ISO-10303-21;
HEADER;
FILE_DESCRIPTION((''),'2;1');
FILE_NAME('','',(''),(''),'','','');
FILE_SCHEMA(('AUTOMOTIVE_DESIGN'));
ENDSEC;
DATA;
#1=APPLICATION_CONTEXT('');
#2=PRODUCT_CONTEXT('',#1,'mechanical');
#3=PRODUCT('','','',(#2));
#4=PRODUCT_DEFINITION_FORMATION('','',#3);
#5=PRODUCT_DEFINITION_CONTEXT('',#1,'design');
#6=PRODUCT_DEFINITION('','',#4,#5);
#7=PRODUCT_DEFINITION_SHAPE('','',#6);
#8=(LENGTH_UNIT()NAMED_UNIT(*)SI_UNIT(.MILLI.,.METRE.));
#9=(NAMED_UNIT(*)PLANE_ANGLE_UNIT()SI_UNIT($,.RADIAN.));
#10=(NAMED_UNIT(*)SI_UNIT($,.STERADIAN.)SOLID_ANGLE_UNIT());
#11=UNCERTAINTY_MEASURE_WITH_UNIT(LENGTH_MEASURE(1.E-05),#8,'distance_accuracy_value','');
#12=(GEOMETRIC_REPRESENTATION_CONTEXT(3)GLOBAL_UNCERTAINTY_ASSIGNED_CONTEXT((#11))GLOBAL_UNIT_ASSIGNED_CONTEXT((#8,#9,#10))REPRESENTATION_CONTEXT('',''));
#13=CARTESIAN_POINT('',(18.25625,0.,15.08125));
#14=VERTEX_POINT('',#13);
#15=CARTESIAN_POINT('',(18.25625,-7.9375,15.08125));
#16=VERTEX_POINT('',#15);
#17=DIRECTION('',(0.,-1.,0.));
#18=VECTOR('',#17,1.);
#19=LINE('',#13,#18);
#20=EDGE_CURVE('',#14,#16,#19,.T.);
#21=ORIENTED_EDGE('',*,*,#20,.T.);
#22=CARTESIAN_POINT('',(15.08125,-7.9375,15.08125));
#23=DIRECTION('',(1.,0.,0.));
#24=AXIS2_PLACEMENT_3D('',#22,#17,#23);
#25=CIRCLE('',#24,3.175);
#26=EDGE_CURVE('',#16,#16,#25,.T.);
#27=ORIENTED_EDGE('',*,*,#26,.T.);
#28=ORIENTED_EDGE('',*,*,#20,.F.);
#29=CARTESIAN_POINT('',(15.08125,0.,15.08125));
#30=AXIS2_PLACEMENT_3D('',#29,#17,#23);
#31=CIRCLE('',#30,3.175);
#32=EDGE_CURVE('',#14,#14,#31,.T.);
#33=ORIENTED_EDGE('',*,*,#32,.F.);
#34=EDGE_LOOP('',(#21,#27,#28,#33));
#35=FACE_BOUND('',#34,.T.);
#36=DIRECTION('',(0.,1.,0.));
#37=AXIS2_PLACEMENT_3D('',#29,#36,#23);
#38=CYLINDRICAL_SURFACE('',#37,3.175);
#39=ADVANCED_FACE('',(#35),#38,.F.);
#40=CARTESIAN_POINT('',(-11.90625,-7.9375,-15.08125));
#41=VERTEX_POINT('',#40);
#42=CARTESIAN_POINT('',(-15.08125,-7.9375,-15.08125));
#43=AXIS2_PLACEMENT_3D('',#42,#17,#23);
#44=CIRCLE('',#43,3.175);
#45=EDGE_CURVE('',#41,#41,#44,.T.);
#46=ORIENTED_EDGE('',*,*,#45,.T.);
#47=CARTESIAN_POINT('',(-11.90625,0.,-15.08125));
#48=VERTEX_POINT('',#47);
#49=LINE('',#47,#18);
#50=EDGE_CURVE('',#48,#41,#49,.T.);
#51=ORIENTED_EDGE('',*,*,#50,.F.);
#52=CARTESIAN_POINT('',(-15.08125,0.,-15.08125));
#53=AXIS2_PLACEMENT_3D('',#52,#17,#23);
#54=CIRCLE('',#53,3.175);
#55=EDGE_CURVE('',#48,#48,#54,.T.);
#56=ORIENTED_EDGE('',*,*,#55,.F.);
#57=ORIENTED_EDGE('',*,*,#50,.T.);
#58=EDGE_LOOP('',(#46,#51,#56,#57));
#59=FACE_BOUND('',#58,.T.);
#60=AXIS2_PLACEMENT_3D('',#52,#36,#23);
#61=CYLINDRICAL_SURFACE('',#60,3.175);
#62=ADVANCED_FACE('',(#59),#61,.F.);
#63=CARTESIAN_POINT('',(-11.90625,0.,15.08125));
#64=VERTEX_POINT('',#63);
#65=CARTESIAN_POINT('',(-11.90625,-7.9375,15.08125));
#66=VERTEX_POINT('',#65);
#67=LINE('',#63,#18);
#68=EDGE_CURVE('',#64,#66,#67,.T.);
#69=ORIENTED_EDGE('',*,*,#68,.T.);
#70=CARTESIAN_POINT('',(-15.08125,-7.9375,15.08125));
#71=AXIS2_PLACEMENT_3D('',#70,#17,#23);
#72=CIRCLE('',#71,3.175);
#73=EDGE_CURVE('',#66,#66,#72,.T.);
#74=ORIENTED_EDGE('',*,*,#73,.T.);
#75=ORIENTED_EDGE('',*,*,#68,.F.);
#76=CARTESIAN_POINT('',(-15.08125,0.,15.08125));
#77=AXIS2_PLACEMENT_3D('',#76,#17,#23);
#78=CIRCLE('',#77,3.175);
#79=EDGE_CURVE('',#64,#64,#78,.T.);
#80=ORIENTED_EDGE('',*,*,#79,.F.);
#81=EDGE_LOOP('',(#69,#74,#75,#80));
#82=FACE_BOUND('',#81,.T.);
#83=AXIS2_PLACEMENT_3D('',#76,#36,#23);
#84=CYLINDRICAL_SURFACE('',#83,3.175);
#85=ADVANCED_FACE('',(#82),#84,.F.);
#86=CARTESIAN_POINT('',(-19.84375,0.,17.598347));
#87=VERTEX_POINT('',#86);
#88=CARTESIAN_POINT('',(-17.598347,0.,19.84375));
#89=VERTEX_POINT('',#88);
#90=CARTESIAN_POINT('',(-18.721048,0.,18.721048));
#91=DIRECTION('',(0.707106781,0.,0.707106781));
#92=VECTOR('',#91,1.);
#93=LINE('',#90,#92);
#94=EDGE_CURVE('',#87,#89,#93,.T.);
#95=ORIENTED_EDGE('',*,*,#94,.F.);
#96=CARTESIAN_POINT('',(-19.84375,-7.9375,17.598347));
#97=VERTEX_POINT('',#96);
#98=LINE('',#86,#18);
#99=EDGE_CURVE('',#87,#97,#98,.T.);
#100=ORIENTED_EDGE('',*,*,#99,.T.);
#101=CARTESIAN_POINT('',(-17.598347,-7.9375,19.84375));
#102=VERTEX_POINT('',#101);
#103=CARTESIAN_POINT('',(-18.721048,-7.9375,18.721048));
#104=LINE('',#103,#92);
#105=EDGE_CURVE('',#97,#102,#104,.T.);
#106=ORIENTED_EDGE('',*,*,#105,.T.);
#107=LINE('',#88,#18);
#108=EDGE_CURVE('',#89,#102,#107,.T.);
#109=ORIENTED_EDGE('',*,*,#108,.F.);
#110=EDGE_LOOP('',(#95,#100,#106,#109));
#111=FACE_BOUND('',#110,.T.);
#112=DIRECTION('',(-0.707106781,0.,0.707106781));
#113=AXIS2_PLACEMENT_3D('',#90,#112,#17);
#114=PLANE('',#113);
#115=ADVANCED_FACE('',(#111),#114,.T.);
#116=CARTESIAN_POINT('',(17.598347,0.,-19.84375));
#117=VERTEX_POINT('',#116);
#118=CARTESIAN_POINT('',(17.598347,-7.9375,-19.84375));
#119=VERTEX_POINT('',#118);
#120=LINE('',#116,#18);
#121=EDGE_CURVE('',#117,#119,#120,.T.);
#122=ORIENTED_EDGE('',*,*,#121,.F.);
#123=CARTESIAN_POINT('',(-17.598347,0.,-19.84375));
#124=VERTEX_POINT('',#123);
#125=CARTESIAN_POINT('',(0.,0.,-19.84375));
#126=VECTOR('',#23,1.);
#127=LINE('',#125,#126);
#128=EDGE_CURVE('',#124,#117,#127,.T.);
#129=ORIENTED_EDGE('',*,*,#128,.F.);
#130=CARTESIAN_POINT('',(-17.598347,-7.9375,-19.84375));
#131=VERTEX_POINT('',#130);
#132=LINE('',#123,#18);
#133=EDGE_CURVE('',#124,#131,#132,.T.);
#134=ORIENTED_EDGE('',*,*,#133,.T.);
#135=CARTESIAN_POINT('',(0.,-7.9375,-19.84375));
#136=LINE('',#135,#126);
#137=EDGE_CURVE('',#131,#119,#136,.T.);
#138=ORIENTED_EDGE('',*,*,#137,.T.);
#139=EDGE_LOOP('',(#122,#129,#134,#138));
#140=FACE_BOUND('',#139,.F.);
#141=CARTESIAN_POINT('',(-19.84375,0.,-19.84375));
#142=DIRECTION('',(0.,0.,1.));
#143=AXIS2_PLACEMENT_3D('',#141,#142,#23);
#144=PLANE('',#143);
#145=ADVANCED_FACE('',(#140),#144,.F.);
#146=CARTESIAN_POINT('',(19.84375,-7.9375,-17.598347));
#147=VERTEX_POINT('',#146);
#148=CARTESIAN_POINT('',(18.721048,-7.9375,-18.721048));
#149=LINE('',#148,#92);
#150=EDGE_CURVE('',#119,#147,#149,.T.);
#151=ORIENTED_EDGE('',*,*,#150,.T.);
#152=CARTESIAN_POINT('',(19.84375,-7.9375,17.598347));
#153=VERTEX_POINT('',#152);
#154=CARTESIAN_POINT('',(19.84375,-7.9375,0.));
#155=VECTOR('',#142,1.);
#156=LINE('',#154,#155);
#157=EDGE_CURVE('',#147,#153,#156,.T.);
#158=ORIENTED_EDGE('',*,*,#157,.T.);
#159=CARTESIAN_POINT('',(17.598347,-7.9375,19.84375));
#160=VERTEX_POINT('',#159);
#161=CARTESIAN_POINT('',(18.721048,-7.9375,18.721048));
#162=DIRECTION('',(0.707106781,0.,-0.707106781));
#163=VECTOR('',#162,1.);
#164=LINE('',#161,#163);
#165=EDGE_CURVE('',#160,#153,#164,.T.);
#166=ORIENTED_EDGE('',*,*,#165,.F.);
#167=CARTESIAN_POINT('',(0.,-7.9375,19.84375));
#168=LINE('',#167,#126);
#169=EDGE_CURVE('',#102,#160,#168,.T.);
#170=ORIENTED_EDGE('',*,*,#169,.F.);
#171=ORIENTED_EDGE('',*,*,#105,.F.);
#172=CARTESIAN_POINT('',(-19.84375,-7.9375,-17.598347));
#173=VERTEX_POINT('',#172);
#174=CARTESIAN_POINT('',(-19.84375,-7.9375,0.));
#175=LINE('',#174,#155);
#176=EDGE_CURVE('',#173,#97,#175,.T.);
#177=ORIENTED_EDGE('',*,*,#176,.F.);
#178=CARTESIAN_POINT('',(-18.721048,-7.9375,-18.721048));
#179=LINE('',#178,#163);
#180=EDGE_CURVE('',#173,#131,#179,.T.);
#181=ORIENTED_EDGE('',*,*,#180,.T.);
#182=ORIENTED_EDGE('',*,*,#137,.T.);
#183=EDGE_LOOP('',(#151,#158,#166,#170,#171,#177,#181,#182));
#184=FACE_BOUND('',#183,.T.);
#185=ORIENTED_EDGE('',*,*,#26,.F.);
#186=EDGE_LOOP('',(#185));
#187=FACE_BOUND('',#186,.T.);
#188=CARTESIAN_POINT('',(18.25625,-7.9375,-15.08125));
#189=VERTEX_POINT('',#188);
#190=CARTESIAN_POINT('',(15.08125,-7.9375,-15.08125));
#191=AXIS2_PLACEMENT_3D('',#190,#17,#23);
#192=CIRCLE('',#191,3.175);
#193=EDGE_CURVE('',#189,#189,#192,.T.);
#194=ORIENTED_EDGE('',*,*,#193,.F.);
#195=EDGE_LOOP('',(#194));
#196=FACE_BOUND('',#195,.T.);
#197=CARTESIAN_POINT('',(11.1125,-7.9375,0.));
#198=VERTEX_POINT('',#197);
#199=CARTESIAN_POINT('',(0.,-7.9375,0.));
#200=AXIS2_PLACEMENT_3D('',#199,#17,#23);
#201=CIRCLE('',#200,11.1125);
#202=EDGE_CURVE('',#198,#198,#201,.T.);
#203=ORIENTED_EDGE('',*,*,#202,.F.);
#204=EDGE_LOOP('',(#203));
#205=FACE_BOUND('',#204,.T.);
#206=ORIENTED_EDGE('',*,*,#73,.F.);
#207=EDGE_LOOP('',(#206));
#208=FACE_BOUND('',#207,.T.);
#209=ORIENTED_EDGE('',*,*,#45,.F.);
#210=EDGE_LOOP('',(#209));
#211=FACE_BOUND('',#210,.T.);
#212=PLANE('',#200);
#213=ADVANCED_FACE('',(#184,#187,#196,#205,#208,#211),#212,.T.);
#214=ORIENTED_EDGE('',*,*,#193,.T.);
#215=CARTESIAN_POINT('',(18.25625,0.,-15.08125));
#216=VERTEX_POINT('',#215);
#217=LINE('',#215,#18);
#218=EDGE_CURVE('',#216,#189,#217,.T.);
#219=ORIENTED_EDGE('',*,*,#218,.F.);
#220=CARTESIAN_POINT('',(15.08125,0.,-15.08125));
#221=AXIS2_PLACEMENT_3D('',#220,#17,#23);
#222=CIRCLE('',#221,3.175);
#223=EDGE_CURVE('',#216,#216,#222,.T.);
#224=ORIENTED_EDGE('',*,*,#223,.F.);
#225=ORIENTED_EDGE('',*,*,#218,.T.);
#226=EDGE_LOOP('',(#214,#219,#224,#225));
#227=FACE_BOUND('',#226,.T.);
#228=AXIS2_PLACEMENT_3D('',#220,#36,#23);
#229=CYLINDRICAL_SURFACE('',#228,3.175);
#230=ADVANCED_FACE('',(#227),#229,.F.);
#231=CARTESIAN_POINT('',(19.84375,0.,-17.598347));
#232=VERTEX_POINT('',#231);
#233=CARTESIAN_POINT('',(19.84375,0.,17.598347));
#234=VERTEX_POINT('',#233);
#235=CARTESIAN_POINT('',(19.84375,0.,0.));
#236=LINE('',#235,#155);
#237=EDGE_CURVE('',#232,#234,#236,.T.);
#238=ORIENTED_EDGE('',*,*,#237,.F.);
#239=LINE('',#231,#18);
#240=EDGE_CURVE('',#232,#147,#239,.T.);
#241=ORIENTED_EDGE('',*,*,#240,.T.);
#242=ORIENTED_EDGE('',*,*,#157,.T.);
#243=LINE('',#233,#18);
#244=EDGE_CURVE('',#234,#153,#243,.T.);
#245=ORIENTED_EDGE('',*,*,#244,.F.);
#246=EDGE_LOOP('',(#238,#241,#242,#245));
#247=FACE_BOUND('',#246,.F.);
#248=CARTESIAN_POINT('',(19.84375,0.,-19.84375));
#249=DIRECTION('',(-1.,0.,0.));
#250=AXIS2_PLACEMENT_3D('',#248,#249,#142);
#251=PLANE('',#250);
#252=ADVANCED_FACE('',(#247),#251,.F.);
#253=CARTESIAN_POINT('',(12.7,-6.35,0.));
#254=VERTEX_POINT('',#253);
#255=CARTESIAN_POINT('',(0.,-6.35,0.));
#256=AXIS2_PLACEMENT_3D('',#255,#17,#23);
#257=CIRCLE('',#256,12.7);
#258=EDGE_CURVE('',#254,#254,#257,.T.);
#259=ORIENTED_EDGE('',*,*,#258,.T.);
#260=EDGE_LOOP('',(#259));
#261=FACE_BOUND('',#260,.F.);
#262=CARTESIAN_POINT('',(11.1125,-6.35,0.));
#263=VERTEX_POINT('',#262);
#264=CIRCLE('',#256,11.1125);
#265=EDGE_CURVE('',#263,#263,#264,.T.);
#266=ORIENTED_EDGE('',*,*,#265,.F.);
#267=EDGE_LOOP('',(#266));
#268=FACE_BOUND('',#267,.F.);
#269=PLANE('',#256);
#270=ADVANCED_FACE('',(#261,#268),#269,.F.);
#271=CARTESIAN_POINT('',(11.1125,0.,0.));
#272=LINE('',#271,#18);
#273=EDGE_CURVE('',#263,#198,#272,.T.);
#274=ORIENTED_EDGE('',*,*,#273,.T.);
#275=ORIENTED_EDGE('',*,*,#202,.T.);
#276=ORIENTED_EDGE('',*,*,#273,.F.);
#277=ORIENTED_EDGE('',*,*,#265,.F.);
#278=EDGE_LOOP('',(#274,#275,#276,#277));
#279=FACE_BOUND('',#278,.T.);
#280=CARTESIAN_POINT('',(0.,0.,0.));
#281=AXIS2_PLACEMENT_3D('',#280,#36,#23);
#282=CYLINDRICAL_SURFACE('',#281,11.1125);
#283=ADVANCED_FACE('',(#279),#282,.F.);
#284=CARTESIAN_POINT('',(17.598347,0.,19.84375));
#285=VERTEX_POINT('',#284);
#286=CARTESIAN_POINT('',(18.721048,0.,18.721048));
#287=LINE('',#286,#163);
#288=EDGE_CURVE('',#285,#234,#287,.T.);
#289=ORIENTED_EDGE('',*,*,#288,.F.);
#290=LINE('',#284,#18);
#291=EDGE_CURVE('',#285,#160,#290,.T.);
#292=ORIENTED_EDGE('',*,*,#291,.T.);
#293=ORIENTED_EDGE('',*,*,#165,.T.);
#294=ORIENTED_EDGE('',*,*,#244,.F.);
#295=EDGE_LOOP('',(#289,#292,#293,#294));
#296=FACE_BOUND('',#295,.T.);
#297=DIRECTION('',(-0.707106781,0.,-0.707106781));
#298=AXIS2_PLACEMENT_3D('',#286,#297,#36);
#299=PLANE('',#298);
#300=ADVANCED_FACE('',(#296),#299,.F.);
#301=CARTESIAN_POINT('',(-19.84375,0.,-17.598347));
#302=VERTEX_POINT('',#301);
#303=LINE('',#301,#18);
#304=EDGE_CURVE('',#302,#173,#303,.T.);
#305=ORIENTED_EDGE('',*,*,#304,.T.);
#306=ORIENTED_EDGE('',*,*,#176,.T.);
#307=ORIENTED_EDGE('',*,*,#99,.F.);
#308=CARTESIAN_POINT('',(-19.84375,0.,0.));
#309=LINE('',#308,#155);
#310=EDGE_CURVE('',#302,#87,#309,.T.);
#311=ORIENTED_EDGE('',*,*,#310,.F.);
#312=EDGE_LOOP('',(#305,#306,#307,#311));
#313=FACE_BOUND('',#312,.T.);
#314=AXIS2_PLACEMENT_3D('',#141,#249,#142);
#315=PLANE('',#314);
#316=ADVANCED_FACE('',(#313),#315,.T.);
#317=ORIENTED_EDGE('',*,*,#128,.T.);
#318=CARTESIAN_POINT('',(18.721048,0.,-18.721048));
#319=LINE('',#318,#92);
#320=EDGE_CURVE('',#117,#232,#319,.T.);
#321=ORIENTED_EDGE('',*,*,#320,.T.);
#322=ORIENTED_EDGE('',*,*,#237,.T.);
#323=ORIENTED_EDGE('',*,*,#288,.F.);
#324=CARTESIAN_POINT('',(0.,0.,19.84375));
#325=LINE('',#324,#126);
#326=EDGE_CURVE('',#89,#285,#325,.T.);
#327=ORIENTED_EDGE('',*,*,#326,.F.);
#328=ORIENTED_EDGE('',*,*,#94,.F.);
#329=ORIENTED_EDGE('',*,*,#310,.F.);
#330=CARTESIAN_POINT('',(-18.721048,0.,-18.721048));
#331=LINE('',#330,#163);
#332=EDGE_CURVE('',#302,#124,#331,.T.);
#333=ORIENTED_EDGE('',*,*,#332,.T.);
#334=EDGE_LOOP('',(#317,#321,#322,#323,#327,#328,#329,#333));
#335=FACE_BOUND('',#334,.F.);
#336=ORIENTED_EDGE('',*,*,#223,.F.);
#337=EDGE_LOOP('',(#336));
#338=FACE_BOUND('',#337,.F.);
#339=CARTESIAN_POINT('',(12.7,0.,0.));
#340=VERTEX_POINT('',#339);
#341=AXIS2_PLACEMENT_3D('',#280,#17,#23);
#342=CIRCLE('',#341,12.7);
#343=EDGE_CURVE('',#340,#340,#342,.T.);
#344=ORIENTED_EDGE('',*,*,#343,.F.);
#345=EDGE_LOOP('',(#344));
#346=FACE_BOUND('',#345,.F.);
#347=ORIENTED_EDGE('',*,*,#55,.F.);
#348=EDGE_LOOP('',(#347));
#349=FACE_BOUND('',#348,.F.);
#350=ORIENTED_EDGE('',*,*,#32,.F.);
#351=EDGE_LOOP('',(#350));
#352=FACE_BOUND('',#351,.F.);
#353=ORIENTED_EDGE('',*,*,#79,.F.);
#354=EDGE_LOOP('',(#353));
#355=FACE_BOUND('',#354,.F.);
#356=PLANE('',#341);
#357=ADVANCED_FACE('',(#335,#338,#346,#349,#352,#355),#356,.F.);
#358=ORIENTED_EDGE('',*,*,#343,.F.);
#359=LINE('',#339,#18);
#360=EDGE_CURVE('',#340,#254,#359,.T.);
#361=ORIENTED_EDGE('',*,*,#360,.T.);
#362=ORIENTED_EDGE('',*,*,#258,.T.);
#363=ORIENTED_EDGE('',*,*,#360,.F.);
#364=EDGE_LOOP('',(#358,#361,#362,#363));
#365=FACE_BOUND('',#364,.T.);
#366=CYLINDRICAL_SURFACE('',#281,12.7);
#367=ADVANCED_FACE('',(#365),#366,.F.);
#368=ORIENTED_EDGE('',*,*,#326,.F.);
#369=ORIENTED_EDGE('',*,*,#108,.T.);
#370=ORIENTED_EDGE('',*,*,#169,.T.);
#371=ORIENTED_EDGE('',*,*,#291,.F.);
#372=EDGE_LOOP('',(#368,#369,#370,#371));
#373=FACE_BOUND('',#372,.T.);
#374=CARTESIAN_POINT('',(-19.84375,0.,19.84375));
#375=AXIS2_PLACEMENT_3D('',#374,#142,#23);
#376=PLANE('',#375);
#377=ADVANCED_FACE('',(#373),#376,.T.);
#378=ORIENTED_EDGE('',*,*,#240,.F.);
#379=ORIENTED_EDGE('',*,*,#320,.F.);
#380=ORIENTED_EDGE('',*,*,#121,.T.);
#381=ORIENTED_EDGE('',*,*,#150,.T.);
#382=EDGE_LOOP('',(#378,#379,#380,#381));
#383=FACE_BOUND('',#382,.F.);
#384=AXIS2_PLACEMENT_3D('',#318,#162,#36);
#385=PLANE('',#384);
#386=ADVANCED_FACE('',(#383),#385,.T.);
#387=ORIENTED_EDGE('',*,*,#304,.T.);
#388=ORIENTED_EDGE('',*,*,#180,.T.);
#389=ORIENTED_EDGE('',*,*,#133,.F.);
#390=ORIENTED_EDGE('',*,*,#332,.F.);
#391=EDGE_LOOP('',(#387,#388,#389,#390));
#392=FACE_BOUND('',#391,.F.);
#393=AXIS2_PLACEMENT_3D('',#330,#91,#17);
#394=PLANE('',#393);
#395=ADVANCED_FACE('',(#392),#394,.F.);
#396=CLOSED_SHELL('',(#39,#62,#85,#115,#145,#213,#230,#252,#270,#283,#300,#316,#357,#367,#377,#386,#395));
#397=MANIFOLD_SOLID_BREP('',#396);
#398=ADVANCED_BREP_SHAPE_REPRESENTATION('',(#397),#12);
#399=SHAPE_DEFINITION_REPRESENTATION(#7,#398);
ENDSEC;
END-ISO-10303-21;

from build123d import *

# Parameters (mm, degrees)
F0_W     = 39.6875
F0_H     = 39.6875
F0_R     = 3.175
F0_R_2   = 12.7
F0_R_3   = 11.1125
F1_DEPTH = 7.9375
F2_DEPTH = 6.35
F3_SIZE  = 2.245403


with BuildPart() as f1:
    # F0 (on Front) → F1 (new body)
    with BuildSketch(Plane.XZ):
        Rectangle(F0_W, F0_H)
        with Locations((-15.08125, -15.08125)):
            Circle(F0_R, mode=Mode.SUBTRACT)
        with Locations((15.08125, -15.08125)):
            Circle(F0_R, mode=Mode.SUBTRACT)
        with Locations((-15.08125, 15.08125)):
            Circle(F0_R, mode=Mode.SUBTRACT)
        Circle(F0_R_2, mode=Mode.SUBTRACT)
        with Locations((15.08125, 15.08125)):
            Circle(F0_R, mode=Mode.SUBTRACT)
        Circle(F0_R_2)
        Circle(F0_R_3, mode=Mode.SUBTRACT)
    extrude(amount=F1_DEPTH)

    # F0 (on Front) → F2 (cut)
    with BuildSketch(Plane.XZ):
        Circle(F0_R_2)
        Circle(F0_R_3, mode=Mode.SUBTRACT)
    extrude(amount=F2_DEPTH, mode=Mode.SUBTRACT)

    # F3
    f3_edges = [f1.edges().sort_by_distance(p)[0] for p in [
        (19.84375, -3.96875, 19.84375),
        (19.84375, -3.96875, -19.84375),
        (-19.84375, -3.96875, -19.84375),
        (-19.84375, -3.96875, 19.84375),
    ]]
    chamfer(f3_edges, length=F3_SIZE)


solid = f1.part
